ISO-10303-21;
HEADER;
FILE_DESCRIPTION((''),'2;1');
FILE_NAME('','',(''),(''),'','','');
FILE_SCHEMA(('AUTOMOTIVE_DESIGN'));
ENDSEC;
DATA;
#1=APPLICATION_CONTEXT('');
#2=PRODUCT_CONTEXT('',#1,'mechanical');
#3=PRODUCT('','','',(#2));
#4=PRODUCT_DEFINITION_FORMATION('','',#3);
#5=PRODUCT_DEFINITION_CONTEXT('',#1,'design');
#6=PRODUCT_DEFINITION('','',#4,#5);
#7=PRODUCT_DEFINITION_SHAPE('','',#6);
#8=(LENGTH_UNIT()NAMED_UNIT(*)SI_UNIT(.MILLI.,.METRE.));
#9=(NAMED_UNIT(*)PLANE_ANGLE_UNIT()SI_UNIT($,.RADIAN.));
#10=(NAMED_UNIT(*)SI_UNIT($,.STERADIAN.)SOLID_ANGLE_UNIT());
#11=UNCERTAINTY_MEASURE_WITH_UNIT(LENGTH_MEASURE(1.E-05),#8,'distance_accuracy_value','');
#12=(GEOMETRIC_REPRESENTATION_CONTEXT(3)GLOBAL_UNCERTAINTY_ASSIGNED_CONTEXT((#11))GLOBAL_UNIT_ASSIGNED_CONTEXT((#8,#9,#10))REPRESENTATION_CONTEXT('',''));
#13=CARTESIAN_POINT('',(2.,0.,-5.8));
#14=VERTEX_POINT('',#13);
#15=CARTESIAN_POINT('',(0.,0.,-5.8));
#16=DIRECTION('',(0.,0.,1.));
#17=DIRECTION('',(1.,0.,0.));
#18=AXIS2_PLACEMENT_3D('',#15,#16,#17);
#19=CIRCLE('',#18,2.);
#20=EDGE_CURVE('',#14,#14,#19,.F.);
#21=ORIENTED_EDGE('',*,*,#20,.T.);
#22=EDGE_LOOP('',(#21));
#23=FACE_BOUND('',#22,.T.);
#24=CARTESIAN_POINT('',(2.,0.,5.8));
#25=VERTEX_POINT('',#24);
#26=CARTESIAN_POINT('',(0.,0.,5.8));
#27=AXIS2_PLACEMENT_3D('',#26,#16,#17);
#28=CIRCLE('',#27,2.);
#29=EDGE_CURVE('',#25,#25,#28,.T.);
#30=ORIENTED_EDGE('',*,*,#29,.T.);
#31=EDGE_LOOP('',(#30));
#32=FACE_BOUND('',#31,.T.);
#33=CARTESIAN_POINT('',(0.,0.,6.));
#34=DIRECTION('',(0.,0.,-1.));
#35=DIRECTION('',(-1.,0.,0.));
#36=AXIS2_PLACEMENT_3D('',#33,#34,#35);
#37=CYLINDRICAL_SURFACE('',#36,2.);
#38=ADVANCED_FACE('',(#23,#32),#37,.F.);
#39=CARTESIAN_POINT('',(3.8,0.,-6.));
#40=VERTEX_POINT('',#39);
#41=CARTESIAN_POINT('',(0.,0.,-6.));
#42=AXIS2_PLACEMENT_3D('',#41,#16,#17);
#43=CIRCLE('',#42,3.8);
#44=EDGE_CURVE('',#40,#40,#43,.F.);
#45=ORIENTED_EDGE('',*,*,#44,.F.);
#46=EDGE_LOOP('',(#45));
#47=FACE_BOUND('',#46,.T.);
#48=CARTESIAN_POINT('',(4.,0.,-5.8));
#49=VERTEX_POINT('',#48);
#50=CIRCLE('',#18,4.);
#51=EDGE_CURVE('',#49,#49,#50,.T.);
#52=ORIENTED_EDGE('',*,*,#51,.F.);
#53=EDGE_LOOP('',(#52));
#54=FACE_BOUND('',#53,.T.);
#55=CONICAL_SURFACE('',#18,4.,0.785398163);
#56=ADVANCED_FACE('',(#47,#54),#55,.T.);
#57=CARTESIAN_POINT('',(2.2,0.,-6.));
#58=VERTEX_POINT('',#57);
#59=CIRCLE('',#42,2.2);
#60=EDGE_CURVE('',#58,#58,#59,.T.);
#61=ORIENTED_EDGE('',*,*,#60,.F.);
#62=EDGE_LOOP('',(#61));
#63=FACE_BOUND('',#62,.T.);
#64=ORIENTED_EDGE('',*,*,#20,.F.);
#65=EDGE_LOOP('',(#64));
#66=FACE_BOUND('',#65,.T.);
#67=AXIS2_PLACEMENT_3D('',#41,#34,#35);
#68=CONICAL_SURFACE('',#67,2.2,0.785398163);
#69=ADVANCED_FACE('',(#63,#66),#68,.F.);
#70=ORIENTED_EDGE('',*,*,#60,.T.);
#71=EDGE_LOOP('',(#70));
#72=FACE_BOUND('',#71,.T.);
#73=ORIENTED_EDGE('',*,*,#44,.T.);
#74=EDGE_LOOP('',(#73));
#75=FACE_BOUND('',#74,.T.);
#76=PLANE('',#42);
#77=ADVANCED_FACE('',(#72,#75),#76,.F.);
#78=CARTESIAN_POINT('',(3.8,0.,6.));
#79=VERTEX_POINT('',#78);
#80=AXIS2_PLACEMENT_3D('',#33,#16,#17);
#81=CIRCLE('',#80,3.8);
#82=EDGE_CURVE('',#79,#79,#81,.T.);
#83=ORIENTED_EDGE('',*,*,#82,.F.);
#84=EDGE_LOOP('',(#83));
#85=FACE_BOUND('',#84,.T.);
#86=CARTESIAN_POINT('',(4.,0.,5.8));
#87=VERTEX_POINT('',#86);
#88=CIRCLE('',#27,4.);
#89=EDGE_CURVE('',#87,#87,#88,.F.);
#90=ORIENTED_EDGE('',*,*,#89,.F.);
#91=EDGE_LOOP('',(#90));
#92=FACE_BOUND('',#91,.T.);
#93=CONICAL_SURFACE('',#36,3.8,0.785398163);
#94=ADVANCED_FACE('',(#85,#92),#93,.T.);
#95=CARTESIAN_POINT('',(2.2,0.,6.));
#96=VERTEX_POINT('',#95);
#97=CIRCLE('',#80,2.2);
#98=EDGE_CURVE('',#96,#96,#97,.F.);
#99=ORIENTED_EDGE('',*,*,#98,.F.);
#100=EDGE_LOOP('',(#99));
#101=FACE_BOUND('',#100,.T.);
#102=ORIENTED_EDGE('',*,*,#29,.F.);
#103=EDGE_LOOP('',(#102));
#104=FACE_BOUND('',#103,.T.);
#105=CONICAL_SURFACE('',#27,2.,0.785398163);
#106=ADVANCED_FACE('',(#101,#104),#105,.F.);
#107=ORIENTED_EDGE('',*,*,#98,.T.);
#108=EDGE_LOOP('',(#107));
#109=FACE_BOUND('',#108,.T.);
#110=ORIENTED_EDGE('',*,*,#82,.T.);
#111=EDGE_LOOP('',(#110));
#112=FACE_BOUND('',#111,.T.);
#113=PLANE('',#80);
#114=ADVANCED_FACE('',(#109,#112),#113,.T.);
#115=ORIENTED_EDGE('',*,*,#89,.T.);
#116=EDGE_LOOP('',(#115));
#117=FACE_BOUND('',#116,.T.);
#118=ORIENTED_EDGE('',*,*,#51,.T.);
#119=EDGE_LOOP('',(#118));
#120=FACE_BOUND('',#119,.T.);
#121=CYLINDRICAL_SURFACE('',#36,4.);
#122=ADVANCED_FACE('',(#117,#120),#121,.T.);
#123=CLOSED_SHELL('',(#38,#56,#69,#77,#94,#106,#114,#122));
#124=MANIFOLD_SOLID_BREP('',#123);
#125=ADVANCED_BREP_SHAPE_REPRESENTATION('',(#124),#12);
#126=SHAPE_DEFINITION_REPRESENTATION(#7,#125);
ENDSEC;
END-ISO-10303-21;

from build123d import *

# Parameters (mm, degrees)
SKETCH_2_R      = 4
SKETCH_2_R_2    = 2
EXTRUDE_1_DEPTH = 6
CHAMFER_1_SIZE  = 0.2


with BuildPart() as part:
    # 草图2 → 凸台-拉伸1 (new, symmetric)
    with BuildSketch(Plane.XY):
        Circle(SKETCH_2_R)
        Circle(SKETCH_2_R_2, mode=Mode.SUBTRACT)
    extrude(amount=EXTRUDE_1_DEPTH, both=True)

    # 倒角1
    chamfer_1_edges = [part.edges().sort_by_distance(p)[0] for p in [
        (-4, 0, -6),
        (-4, 0, 6),
        (-2, 0, -6),
        (-2, 0, 6),
    ]]
    chamfer(chamfer_1_edges, length=CHAMFER_1_SIZE)


solid = part.part
